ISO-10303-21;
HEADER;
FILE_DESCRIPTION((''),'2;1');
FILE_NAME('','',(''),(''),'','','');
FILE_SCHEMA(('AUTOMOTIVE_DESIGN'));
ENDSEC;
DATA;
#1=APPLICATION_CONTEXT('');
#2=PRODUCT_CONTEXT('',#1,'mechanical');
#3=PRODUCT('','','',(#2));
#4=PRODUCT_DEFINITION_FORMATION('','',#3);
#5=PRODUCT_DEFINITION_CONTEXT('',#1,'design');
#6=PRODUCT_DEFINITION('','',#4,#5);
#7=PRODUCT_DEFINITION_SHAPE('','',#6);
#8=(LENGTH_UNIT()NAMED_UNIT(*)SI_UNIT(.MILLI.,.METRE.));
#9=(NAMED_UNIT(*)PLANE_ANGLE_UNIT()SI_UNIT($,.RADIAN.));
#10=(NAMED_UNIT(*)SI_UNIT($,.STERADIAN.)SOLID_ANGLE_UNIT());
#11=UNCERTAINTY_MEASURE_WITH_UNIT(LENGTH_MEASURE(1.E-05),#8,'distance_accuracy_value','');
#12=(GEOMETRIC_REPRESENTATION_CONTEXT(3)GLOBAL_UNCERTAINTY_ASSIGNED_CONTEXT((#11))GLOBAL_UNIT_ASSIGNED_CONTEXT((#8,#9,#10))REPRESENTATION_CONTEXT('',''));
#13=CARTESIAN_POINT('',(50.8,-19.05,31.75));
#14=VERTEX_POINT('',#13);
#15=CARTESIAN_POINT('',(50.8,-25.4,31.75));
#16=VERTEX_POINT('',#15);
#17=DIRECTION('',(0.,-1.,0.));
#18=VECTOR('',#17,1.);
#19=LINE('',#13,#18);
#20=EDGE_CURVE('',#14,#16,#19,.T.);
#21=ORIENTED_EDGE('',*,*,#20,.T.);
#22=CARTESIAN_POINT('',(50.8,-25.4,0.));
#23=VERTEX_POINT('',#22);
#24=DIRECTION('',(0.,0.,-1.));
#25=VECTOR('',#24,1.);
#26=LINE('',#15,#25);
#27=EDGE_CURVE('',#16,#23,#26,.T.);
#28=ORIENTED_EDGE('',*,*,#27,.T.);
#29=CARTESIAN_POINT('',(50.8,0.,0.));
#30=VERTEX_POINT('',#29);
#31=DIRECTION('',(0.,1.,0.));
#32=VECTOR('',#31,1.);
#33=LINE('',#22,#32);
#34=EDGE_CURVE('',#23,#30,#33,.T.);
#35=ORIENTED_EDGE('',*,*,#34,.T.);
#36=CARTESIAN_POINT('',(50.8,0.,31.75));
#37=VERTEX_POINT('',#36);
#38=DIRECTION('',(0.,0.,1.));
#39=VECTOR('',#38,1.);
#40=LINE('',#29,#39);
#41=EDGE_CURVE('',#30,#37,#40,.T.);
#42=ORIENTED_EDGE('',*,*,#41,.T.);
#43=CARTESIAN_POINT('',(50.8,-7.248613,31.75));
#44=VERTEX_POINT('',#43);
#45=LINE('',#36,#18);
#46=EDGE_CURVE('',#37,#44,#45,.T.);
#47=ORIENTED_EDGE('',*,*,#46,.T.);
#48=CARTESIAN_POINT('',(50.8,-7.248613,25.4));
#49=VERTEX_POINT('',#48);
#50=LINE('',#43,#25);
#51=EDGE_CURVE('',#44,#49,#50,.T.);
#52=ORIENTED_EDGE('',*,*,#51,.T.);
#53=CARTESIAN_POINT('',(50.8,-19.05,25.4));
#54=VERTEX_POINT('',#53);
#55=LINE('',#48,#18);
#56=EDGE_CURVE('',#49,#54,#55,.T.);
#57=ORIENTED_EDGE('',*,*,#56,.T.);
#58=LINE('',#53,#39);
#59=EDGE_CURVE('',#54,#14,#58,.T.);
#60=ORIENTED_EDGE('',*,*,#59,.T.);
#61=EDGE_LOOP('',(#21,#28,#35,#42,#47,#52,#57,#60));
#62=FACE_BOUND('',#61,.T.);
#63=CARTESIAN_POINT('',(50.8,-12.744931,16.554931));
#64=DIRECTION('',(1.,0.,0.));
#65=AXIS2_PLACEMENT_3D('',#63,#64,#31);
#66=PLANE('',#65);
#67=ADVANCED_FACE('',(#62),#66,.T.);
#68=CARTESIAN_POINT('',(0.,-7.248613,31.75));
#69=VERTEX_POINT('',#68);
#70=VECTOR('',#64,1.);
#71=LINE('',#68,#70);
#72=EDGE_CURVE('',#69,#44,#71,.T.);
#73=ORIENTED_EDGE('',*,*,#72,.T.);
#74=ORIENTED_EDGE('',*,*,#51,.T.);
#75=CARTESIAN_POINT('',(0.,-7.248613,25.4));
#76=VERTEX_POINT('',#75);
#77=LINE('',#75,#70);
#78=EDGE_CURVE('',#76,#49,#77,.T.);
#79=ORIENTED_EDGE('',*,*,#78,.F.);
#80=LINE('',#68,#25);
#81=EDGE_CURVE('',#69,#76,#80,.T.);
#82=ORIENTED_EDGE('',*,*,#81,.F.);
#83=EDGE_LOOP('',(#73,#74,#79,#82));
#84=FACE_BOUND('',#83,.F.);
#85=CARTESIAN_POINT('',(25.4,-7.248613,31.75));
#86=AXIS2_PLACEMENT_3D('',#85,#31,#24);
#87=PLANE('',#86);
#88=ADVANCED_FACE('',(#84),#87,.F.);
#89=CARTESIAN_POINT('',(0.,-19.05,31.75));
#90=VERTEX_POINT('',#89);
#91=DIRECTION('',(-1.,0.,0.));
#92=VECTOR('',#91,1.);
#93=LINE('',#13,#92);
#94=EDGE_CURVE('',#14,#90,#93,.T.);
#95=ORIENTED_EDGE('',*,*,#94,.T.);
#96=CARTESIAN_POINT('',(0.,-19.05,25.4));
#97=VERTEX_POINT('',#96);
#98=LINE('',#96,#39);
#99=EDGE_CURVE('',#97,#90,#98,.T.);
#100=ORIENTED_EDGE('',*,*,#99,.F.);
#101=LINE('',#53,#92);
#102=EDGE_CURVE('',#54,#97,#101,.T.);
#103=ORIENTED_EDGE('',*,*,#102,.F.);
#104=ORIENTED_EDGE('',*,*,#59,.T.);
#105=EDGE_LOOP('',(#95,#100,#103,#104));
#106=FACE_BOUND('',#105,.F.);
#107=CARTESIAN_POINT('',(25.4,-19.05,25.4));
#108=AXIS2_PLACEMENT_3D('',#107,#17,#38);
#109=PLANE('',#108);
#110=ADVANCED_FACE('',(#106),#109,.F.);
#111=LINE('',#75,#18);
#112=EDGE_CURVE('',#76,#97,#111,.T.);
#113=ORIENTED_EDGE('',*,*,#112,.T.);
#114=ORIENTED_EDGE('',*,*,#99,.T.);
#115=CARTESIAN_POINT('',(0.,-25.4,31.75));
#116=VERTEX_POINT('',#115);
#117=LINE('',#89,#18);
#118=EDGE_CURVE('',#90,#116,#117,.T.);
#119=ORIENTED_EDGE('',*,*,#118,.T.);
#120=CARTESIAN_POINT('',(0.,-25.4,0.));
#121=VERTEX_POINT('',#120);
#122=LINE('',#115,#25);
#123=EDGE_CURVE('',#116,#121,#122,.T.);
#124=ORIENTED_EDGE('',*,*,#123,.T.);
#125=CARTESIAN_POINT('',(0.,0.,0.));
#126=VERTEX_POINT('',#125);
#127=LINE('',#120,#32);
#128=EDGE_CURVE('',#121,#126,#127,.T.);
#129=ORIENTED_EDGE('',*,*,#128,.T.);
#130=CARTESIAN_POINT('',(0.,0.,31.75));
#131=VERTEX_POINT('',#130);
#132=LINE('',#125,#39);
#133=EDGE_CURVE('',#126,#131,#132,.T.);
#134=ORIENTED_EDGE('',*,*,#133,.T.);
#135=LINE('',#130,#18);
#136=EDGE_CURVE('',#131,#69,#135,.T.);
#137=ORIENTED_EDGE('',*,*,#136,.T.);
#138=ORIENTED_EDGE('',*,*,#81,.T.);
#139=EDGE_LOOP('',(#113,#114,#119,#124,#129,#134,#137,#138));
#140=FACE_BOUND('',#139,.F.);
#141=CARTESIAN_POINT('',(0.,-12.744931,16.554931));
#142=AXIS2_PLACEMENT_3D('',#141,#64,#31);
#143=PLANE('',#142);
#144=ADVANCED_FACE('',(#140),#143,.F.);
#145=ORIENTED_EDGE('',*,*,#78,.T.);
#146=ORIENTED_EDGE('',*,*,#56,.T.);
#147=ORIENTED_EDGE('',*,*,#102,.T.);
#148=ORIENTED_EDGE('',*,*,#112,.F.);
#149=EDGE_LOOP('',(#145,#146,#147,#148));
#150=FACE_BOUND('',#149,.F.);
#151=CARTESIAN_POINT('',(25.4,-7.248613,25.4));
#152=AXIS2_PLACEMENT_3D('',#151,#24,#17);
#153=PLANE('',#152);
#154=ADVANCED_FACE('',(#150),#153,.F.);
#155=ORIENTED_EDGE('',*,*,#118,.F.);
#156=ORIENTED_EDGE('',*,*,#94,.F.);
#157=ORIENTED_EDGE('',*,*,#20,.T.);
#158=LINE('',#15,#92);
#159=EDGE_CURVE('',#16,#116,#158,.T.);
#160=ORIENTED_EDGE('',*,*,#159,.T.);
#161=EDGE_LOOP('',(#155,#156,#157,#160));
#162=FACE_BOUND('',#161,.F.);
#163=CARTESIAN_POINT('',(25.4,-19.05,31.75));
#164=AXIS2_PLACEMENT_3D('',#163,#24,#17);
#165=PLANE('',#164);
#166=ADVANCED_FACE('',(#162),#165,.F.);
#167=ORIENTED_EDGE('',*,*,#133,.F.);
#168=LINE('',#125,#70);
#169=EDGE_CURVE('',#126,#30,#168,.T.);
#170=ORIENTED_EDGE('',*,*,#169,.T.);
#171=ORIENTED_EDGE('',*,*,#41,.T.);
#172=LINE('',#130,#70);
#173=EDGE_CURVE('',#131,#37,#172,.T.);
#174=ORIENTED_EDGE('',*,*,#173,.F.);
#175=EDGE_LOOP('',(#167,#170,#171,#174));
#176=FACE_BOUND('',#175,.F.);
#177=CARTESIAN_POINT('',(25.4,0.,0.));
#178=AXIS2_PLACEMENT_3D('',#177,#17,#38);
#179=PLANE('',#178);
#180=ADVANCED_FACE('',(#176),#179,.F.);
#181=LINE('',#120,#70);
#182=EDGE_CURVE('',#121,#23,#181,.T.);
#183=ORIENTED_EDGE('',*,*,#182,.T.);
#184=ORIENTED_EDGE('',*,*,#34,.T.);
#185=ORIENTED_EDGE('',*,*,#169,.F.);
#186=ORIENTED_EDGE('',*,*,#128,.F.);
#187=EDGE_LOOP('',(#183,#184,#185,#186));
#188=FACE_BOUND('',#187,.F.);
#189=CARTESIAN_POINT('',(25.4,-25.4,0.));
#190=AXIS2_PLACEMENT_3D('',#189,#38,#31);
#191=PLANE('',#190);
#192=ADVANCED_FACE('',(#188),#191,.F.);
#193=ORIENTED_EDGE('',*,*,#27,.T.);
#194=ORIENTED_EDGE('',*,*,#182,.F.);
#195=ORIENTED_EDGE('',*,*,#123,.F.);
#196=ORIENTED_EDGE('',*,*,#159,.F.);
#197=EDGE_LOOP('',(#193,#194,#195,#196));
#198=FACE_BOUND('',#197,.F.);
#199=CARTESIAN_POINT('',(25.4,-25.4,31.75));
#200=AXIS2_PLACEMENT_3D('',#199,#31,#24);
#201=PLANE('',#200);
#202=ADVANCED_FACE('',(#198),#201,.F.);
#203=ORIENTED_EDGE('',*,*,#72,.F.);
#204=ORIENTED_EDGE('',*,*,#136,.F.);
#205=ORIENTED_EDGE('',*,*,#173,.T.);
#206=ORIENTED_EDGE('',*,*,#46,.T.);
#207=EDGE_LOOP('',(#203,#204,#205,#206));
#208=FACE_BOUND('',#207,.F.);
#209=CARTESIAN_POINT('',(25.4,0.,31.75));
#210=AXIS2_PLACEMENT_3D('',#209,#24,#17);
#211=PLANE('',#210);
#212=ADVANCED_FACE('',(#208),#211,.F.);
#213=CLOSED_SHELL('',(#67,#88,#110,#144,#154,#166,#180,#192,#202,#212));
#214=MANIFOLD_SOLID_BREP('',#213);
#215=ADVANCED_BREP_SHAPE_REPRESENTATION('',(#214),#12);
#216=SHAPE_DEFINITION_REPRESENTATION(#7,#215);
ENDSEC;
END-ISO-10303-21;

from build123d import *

# Parameters (mm, degrees)
F1_DEPTH = 25.4
F2_DEPTH = 25.4


with BuildPart() as f1:
    # F0 (on Right) → F1 (new body)
    with BuildSketch(Plane.YZ):
        Polygon((-25.4, 31.75), (-25.4, 0), (0, 0), (0, 31.75), (-7.248613, 31.75), (-7.248613, 25.4), (-19.05, 25.4), (-19.05, 31.75), align=None)
    extrude(amount=F1_DEPTH)

    # F1_face (on face) → F2 (join)
    with BuildSketch(Plane(origin=(25.4, -12.653971, 14.573963), x_dir=(0, 1, 0), z_dir=(1, 0, 0))):
        Polygon((-12.746029, 17.176037), (-12.746029, -14.573963), (12.653971, -14.573963), (12.653971, 17.176037), (5.405358, 17.176037), (5.405358, 10.826037), (-6.396029, 10.826037), (-6.396029, 17.176037), align=None)
    extrude(amount=F2_DEPTH)


solid = f1.part
